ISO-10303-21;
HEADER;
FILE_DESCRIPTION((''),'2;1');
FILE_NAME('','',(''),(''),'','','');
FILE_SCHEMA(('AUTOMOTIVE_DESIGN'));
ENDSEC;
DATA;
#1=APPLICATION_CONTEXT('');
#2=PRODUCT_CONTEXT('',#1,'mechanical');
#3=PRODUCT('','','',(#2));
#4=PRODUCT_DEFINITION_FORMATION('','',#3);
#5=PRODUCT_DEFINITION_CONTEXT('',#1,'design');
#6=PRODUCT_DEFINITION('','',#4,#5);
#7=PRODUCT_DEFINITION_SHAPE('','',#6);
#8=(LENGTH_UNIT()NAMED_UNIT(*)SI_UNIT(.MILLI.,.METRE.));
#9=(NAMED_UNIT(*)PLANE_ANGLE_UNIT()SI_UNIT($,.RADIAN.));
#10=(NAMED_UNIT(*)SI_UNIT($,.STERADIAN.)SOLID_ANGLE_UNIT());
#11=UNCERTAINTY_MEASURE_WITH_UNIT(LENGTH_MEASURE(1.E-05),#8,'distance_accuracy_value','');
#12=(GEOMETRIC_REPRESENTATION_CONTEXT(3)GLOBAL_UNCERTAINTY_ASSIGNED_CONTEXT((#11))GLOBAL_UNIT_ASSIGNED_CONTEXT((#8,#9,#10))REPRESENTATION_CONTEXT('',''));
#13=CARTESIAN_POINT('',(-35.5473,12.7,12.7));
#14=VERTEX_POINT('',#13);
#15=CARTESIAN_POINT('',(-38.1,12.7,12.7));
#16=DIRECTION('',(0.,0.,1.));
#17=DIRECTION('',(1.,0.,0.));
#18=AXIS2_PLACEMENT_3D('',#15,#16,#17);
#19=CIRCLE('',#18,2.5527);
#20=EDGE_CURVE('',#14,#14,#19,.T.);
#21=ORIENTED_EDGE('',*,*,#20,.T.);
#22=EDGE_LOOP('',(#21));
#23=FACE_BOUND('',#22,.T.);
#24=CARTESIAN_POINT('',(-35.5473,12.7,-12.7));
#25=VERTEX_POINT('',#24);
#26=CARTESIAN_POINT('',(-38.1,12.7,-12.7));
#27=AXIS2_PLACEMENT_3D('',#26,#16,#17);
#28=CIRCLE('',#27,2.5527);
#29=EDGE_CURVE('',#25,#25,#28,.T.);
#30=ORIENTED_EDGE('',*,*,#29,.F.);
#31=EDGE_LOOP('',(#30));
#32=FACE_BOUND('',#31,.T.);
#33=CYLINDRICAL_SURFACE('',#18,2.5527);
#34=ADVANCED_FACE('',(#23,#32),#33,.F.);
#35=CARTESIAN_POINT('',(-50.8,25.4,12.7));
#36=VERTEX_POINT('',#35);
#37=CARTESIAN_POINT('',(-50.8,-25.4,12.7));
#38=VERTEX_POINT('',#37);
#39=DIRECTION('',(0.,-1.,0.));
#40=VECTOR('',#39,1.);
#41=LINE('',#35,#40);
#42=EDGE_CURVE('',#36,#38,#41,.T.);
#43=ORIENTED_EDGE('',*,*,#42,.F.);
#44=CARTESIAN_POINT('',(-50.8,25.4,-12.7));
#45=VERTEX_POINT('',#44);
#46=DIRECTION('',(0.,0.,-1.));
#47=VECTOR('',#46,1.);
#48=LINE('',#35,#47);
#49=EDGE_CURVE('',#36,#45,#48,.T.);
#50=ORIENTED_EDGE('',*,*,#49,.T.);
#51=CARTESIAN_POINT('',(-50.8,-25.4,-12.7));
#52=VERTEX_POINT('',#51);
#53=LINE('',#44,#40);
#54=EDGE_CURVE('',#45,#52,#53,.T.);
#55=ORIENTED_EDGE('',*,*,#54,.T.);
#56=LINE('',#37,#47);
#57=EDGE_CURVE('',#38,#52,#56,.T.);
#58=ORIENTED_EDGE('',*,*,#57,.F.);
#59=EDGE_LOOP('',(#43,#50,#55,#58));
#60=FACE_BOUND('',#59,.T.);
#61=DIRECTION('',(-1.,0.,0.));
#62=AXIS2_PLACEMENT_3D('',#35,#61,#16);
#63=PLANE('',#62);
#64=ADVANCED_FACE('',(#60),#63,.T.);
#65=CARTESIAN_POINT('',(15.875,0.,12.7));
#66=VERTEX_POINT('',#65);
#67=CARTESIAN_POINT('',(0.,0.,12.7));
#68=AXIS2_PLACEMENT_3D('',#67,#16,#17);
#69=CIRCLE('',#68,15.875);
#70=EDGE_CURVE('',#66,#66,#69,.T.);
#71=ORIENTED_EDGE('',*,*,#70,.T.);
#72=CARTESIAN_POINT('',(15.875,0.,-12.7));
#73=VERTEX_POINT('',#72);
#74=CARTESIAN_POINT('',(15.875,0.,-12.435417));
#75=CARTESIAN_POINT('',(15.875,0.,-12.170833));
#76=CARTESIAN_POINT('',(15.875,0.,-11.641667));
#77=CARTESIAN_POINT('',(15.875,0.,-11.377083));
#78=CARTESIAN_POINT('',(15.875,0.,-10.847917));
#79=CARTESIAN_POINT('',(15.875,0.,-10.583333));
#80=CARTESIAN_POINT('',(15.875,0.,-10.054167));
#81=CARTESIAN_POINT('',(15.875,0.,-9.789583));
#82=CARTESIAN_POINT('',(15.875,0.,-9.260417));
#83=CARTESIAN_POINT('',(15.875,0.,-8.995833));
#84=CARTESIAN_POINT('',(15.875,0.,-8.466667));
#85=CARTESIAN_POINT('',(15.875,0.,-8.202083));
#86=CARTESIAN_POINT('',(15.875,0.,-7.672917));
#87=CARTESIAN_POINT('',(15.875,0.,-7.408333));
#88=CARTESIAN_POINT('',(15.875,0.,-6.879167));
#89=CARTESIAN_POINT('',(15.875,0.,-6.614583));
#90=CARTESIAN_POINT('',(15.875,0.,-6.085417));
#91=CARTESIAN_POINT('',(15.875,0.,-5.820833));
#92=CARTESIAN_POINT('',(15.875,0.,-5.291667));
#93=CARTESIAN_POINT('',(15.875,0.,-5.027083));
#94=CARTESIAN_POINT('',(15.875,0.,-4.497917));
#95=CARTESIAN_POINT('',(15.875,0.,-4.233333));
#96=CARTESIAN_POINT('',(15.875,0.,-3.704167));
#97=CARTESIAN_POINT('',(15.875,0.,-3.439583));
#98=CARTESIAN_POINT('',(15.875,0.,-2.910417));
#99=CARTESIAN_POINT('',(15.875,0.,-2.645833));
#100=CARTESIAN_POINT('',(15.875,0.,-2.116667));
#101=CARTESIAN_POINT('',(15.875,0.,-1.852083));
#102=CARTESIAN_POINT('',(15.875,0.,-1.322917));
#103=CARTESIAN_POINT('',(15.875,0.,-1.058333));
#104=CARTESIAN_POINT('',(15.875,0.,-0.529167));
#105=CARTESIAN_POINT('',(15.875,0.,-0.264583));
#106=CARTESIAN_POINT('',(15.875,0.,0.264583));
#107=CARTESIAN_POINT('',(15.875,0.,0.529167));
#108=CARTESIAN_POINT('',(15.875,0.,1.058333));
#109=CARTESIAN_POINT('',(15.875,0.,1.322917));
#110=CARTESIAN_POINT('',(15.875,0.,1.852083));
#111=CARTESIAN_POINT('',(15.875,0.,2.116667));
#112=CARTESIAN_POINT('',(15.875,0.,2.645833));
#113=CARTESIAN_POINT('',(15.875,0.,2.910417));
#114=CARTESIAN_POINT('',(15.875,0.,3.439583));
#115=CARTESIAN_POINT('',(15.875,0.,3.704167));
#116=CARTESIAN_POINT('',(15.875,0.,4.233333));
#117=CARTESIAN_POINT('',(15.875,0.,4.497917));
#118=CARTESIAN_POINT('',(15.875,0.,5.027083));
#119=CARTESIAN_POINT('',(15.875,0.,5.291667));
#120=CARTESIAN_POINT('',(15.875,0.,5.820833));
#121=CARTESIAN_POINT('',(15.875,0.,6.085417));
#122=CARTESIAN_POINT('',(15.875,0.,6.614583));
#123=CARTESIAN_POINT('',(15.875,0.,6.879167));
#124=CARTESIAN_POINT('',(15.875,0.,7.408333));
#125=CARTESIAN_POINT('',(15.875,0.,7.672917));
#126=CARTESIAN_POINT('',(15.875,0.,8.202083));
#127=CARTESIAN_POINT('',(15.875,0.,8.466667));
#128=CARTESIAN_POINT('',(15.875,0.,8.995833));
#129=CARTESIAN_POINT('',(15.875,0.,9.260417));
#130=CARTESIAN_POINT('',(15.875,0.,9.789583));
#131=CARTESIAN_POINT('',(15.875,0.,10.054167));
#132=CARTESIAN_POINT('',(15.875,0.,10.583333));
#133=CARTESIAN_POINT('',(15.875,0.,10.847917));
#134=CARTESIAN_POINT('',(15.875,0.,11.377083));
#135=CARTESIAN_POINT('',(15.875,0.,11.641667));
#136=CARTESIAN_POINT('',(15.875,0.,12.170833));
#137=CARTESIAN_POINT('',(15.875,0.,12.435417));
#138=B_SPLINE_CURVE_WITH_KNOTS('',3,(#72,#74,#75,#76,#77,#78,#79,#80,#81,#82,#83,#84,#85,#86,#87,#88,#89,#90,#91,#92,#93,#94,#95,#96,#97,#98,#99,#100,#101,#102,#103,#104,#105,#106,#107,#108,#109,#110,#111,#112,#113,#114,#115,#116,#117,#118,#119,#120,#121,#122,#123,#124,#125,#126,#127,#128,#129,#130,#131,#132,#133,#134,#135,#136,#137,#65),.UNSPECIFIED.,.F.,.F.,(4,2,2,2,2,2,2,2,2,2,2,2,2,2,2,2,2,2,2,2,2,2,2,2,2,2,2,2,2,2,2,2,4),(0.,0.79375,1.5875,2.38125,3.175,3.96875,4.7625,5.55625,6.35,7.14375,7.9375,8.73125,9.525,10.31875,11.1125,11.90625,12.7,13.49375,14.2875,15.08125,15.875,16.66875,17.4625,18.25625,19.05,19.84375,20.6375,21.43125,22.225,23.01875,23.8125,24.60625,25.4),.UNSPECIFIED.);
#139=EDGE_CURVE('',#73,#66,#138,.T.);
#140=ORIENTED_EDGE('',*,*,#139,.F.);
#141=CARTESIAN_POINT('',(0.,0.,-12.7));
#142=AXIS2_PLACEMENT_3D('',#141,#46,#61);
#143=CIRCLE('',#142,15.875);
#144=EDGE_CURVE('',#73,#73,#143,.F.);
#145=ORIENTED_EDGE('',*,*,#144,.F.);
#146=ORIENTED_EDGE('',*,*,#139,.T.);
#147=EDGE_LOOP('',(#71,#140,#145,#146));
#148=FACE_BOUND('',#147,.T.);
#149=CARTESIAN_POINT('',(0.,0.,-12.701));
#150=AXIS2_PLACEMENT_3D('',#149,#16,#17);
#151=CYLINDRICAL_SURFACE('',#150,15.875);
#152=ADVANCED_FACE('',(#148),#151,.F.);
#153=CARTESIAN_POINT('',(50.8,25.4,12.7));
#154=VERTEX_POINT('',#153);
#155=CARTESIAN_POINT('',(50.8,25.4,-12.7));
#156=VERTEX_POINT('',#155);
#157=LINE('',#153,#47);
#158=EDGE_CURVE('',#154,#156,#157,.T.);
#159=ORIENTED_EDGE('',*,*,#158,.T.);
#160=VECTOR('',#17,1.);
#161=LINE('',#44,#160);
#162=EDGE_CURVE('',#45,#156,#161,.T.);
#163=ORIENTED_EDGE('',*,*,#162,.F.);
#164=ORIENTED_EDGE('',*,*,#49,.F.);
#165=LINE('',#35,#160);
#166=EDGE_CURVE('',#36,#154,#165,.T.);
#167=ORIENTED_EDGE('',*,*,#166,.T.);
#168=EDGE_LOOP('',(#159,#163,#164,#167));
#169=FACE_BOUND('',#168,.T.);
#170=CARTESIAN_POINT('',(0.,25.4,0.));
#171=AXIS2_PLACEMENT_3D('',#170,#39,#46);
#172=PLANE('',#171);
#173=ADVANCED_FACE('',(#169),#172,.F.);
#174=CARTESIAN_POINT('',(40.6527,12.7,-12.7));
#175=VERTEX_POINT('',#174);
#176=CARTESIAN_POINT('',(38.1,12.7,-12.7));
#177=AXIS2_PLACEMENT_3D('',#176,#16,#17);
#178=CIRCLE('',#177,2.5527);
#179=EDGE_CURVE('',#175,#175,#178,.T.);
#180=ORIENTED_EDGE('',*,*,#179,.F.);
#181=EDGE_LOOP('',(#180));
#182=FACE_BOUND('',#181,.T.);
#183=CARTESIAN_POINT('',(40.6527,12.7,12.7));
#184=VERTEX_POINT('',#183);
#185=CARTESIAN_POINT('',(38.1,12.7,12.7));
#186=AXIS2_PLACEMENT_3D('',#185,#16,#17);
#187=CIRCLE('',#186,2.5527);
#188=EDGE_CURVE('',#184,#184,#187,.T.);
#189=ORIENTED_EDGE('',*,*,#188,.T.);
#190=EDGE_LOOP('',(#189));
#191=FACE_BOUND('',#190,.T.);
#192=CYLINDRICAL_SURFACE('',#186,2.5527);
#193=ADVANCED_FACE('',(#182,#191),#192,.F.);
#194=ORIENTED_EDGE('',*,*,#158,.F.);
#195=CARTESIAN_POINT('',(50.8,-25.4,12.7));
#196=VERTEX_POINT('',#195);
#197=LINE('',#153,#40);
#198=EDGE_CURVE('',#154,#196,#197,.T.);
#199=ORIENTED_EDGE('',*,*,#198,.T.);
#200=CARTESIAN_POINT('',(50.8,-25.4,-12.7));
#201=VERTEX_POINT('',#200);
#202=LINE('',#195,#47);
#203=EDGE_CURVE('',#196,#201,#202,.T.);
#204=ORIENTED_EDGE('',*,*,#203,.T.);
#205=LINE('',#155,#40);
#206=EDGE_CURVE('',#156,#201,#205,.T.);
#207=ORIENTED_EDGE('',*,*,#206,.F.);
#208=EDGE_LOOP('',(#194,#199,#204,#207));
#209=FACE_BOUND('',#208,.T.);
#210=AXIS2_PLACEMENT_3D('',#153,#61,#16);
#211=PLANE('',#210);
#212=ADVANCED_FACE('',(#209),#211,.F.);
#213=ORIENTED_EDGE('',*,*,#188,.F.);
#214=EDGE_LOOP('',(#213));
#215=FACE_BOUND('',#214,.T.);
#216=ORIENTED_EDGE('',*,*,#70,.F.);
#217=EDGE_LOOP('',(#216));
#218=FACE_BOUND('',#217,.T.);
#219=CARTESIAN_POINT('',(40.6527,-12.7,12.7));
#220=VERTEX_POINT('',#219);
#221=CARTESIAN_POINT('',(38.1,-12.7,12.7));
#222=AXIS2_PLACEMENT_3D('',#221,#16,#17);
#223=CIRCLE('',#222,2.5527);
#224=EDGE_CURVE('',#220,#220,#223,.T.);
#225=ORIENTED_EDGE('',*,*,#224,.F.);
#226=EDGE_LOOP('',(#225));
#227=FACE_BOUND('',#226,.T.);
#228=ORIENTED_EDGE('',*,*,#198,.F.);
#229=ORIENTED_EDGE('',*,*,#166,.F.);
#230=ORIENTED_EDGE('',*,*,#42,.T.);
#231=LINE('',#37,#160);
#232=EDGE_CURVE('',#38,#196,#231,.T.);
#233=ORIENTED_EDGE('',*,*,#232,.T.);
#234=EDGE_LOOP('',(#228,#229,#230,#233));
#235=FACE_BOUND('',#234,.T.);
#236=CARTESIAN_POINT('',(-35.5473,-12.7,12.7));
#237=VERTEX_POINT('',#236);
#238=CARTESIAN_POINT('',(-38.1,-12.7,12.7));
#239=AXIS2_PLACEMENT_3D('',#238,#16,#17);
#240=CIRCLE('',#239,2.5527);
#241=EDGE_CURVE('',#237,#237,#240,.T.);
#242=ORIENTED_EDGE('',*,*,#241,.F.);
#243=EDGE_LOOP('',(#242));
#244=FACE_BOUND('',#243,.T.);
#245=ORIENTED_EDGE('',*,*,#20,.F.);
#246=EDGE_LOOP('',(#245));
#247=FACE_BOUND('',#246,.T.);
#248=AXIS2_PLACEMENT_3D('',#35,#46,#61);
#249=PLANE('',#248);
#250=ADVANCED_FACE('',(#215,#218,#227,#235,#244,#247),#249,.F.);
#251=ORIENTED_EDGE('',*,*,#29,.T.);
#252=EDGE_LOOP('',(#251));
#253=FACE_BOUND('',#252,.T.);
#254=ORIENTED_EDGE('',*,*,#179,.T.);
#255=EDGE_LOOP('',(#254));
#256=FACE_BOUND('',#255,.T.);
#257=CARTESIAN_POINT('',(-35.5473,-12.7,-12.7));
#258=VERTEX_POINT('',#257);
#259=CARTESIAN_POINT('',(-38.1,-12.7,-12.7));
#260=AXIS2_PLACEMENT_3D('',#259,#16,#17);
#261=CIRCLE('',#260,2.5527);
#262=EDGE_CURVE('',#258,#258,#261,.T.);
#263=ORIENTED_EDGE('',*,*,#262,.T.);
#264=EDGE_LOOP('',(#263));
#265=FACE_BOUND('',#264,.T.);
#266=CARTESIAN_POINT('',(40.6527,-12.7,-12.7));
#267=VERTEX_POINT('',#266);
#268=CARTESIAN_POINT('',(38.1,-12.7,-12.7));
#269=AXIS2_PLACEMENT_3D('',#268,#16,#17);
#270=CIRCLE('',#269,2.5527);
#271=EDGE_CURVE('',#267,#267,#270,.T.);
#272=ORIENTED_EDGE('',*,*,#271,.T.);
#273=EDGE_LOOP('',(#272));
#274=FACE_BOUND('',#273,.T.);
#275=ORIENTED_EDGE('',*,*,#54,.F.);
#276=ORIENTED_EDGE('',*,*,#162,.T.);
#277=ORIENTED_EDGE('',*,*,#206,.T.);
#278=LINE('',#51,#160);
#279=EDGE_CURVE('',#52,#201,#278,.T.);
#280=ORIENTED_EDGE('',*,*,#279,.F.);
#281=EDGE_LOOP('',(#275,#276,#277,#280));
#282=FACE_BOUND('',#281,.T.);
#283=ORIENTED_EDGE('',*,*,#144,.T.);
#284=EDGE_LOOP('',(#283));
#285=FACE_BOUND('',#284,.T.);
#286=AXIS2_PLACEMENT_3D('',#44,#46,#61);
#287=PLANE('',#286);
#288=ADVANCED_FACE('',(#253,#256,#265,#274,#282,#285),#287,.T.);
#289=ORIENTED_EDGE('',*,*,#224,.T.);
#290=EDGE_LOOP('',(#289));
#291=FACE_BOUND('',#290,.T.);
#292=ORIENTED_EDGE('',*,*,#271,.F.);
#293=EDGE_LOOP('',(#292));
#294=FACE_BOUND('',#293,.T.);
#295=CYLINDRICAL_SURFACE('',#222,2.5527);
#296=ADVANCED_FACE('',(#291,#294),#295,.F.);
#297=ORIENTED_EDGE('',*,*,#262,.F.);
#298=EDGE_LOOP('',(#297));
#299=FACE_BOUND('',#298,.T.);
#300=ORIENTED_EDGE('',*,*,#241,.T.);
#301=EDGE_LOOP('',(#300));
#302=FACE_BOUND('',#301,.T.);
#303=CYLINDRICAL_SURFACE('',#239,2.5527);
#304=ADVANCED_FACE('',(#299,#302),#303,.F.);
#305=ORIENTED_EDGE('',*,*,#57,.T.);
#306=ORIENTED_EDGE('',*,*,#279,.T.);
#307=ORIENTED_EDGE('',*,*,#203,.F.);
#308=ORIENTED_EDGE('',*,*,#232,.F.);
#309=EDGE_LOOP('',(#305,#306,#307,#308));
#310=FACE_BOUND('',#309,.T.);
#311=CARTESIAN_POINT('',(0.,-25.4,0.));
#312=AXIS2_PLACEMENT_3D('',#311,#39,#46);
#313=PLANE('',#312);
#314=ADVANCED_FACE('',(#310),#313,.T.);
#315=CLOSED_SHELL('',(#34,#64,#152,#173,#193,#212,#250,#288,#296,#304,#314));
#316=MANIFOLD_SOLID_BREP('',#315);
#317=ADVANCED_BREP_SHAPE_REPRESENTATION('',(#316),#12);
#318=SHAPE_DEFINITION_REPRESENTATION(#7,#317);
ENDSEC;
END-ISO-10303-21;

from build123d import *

# Parameters (mm, degrees)
SKETCH1_W               = 101.6
SKETCH1_H               = 25.4
BOSS_EXTRUDE1_DEPTH     = 25.4
CUT_EXTRUDE1_REACH      = 64.217
SKETCH2_R               = 15.875
F_1_4_20_TAPPED_HOLE1_D = 5.1054


with BuildPart() as part:
    # Sketch1 → Boss-Extrude1 (new, symmetric)
    with BuildSketch(Plane(origin=(0, 0, 0), x_dir=(1, 0, 0), z_dir=(0, 1, 0))):
        Rectangle(SKETCH1_W, SKETCH1_H)
    extrude(amount=BOSS_EXTRUDE1_DEPTH, both=True)

    # Sketch2 → Cut-Extrude1 (cut, up to next)
    with BuildSketch(Plane.XY.offset(12.7), mode=Mode.PRIVATE) as cut_extrude1_sk1:
        Circle(SKETCH2_R)
    cut_extrude1_tool1 = extrude(cut_extrude1_sk1.sketch, amount=-CUT_EXTRUDE1_REACH, mode=Mode.PRIVATE) & part.part
    add(cut_extrude1_tool1.solids().sort_by_distance((0, 0, 12.7))[0], mode=Mode.SUBTRACT)

    # 1/4-20 Tapped Hole1 (through all)
    with Locations(Plane.XY.offset(12.7)):
        with Locations((-38.1, 12.7), (-38.1, -12.7), (38.1, 12.7), (38.1, -12.7)):
            Hole(F_1_4_20_TAPPED_HOLE1_D / 2)


solid = part.part
